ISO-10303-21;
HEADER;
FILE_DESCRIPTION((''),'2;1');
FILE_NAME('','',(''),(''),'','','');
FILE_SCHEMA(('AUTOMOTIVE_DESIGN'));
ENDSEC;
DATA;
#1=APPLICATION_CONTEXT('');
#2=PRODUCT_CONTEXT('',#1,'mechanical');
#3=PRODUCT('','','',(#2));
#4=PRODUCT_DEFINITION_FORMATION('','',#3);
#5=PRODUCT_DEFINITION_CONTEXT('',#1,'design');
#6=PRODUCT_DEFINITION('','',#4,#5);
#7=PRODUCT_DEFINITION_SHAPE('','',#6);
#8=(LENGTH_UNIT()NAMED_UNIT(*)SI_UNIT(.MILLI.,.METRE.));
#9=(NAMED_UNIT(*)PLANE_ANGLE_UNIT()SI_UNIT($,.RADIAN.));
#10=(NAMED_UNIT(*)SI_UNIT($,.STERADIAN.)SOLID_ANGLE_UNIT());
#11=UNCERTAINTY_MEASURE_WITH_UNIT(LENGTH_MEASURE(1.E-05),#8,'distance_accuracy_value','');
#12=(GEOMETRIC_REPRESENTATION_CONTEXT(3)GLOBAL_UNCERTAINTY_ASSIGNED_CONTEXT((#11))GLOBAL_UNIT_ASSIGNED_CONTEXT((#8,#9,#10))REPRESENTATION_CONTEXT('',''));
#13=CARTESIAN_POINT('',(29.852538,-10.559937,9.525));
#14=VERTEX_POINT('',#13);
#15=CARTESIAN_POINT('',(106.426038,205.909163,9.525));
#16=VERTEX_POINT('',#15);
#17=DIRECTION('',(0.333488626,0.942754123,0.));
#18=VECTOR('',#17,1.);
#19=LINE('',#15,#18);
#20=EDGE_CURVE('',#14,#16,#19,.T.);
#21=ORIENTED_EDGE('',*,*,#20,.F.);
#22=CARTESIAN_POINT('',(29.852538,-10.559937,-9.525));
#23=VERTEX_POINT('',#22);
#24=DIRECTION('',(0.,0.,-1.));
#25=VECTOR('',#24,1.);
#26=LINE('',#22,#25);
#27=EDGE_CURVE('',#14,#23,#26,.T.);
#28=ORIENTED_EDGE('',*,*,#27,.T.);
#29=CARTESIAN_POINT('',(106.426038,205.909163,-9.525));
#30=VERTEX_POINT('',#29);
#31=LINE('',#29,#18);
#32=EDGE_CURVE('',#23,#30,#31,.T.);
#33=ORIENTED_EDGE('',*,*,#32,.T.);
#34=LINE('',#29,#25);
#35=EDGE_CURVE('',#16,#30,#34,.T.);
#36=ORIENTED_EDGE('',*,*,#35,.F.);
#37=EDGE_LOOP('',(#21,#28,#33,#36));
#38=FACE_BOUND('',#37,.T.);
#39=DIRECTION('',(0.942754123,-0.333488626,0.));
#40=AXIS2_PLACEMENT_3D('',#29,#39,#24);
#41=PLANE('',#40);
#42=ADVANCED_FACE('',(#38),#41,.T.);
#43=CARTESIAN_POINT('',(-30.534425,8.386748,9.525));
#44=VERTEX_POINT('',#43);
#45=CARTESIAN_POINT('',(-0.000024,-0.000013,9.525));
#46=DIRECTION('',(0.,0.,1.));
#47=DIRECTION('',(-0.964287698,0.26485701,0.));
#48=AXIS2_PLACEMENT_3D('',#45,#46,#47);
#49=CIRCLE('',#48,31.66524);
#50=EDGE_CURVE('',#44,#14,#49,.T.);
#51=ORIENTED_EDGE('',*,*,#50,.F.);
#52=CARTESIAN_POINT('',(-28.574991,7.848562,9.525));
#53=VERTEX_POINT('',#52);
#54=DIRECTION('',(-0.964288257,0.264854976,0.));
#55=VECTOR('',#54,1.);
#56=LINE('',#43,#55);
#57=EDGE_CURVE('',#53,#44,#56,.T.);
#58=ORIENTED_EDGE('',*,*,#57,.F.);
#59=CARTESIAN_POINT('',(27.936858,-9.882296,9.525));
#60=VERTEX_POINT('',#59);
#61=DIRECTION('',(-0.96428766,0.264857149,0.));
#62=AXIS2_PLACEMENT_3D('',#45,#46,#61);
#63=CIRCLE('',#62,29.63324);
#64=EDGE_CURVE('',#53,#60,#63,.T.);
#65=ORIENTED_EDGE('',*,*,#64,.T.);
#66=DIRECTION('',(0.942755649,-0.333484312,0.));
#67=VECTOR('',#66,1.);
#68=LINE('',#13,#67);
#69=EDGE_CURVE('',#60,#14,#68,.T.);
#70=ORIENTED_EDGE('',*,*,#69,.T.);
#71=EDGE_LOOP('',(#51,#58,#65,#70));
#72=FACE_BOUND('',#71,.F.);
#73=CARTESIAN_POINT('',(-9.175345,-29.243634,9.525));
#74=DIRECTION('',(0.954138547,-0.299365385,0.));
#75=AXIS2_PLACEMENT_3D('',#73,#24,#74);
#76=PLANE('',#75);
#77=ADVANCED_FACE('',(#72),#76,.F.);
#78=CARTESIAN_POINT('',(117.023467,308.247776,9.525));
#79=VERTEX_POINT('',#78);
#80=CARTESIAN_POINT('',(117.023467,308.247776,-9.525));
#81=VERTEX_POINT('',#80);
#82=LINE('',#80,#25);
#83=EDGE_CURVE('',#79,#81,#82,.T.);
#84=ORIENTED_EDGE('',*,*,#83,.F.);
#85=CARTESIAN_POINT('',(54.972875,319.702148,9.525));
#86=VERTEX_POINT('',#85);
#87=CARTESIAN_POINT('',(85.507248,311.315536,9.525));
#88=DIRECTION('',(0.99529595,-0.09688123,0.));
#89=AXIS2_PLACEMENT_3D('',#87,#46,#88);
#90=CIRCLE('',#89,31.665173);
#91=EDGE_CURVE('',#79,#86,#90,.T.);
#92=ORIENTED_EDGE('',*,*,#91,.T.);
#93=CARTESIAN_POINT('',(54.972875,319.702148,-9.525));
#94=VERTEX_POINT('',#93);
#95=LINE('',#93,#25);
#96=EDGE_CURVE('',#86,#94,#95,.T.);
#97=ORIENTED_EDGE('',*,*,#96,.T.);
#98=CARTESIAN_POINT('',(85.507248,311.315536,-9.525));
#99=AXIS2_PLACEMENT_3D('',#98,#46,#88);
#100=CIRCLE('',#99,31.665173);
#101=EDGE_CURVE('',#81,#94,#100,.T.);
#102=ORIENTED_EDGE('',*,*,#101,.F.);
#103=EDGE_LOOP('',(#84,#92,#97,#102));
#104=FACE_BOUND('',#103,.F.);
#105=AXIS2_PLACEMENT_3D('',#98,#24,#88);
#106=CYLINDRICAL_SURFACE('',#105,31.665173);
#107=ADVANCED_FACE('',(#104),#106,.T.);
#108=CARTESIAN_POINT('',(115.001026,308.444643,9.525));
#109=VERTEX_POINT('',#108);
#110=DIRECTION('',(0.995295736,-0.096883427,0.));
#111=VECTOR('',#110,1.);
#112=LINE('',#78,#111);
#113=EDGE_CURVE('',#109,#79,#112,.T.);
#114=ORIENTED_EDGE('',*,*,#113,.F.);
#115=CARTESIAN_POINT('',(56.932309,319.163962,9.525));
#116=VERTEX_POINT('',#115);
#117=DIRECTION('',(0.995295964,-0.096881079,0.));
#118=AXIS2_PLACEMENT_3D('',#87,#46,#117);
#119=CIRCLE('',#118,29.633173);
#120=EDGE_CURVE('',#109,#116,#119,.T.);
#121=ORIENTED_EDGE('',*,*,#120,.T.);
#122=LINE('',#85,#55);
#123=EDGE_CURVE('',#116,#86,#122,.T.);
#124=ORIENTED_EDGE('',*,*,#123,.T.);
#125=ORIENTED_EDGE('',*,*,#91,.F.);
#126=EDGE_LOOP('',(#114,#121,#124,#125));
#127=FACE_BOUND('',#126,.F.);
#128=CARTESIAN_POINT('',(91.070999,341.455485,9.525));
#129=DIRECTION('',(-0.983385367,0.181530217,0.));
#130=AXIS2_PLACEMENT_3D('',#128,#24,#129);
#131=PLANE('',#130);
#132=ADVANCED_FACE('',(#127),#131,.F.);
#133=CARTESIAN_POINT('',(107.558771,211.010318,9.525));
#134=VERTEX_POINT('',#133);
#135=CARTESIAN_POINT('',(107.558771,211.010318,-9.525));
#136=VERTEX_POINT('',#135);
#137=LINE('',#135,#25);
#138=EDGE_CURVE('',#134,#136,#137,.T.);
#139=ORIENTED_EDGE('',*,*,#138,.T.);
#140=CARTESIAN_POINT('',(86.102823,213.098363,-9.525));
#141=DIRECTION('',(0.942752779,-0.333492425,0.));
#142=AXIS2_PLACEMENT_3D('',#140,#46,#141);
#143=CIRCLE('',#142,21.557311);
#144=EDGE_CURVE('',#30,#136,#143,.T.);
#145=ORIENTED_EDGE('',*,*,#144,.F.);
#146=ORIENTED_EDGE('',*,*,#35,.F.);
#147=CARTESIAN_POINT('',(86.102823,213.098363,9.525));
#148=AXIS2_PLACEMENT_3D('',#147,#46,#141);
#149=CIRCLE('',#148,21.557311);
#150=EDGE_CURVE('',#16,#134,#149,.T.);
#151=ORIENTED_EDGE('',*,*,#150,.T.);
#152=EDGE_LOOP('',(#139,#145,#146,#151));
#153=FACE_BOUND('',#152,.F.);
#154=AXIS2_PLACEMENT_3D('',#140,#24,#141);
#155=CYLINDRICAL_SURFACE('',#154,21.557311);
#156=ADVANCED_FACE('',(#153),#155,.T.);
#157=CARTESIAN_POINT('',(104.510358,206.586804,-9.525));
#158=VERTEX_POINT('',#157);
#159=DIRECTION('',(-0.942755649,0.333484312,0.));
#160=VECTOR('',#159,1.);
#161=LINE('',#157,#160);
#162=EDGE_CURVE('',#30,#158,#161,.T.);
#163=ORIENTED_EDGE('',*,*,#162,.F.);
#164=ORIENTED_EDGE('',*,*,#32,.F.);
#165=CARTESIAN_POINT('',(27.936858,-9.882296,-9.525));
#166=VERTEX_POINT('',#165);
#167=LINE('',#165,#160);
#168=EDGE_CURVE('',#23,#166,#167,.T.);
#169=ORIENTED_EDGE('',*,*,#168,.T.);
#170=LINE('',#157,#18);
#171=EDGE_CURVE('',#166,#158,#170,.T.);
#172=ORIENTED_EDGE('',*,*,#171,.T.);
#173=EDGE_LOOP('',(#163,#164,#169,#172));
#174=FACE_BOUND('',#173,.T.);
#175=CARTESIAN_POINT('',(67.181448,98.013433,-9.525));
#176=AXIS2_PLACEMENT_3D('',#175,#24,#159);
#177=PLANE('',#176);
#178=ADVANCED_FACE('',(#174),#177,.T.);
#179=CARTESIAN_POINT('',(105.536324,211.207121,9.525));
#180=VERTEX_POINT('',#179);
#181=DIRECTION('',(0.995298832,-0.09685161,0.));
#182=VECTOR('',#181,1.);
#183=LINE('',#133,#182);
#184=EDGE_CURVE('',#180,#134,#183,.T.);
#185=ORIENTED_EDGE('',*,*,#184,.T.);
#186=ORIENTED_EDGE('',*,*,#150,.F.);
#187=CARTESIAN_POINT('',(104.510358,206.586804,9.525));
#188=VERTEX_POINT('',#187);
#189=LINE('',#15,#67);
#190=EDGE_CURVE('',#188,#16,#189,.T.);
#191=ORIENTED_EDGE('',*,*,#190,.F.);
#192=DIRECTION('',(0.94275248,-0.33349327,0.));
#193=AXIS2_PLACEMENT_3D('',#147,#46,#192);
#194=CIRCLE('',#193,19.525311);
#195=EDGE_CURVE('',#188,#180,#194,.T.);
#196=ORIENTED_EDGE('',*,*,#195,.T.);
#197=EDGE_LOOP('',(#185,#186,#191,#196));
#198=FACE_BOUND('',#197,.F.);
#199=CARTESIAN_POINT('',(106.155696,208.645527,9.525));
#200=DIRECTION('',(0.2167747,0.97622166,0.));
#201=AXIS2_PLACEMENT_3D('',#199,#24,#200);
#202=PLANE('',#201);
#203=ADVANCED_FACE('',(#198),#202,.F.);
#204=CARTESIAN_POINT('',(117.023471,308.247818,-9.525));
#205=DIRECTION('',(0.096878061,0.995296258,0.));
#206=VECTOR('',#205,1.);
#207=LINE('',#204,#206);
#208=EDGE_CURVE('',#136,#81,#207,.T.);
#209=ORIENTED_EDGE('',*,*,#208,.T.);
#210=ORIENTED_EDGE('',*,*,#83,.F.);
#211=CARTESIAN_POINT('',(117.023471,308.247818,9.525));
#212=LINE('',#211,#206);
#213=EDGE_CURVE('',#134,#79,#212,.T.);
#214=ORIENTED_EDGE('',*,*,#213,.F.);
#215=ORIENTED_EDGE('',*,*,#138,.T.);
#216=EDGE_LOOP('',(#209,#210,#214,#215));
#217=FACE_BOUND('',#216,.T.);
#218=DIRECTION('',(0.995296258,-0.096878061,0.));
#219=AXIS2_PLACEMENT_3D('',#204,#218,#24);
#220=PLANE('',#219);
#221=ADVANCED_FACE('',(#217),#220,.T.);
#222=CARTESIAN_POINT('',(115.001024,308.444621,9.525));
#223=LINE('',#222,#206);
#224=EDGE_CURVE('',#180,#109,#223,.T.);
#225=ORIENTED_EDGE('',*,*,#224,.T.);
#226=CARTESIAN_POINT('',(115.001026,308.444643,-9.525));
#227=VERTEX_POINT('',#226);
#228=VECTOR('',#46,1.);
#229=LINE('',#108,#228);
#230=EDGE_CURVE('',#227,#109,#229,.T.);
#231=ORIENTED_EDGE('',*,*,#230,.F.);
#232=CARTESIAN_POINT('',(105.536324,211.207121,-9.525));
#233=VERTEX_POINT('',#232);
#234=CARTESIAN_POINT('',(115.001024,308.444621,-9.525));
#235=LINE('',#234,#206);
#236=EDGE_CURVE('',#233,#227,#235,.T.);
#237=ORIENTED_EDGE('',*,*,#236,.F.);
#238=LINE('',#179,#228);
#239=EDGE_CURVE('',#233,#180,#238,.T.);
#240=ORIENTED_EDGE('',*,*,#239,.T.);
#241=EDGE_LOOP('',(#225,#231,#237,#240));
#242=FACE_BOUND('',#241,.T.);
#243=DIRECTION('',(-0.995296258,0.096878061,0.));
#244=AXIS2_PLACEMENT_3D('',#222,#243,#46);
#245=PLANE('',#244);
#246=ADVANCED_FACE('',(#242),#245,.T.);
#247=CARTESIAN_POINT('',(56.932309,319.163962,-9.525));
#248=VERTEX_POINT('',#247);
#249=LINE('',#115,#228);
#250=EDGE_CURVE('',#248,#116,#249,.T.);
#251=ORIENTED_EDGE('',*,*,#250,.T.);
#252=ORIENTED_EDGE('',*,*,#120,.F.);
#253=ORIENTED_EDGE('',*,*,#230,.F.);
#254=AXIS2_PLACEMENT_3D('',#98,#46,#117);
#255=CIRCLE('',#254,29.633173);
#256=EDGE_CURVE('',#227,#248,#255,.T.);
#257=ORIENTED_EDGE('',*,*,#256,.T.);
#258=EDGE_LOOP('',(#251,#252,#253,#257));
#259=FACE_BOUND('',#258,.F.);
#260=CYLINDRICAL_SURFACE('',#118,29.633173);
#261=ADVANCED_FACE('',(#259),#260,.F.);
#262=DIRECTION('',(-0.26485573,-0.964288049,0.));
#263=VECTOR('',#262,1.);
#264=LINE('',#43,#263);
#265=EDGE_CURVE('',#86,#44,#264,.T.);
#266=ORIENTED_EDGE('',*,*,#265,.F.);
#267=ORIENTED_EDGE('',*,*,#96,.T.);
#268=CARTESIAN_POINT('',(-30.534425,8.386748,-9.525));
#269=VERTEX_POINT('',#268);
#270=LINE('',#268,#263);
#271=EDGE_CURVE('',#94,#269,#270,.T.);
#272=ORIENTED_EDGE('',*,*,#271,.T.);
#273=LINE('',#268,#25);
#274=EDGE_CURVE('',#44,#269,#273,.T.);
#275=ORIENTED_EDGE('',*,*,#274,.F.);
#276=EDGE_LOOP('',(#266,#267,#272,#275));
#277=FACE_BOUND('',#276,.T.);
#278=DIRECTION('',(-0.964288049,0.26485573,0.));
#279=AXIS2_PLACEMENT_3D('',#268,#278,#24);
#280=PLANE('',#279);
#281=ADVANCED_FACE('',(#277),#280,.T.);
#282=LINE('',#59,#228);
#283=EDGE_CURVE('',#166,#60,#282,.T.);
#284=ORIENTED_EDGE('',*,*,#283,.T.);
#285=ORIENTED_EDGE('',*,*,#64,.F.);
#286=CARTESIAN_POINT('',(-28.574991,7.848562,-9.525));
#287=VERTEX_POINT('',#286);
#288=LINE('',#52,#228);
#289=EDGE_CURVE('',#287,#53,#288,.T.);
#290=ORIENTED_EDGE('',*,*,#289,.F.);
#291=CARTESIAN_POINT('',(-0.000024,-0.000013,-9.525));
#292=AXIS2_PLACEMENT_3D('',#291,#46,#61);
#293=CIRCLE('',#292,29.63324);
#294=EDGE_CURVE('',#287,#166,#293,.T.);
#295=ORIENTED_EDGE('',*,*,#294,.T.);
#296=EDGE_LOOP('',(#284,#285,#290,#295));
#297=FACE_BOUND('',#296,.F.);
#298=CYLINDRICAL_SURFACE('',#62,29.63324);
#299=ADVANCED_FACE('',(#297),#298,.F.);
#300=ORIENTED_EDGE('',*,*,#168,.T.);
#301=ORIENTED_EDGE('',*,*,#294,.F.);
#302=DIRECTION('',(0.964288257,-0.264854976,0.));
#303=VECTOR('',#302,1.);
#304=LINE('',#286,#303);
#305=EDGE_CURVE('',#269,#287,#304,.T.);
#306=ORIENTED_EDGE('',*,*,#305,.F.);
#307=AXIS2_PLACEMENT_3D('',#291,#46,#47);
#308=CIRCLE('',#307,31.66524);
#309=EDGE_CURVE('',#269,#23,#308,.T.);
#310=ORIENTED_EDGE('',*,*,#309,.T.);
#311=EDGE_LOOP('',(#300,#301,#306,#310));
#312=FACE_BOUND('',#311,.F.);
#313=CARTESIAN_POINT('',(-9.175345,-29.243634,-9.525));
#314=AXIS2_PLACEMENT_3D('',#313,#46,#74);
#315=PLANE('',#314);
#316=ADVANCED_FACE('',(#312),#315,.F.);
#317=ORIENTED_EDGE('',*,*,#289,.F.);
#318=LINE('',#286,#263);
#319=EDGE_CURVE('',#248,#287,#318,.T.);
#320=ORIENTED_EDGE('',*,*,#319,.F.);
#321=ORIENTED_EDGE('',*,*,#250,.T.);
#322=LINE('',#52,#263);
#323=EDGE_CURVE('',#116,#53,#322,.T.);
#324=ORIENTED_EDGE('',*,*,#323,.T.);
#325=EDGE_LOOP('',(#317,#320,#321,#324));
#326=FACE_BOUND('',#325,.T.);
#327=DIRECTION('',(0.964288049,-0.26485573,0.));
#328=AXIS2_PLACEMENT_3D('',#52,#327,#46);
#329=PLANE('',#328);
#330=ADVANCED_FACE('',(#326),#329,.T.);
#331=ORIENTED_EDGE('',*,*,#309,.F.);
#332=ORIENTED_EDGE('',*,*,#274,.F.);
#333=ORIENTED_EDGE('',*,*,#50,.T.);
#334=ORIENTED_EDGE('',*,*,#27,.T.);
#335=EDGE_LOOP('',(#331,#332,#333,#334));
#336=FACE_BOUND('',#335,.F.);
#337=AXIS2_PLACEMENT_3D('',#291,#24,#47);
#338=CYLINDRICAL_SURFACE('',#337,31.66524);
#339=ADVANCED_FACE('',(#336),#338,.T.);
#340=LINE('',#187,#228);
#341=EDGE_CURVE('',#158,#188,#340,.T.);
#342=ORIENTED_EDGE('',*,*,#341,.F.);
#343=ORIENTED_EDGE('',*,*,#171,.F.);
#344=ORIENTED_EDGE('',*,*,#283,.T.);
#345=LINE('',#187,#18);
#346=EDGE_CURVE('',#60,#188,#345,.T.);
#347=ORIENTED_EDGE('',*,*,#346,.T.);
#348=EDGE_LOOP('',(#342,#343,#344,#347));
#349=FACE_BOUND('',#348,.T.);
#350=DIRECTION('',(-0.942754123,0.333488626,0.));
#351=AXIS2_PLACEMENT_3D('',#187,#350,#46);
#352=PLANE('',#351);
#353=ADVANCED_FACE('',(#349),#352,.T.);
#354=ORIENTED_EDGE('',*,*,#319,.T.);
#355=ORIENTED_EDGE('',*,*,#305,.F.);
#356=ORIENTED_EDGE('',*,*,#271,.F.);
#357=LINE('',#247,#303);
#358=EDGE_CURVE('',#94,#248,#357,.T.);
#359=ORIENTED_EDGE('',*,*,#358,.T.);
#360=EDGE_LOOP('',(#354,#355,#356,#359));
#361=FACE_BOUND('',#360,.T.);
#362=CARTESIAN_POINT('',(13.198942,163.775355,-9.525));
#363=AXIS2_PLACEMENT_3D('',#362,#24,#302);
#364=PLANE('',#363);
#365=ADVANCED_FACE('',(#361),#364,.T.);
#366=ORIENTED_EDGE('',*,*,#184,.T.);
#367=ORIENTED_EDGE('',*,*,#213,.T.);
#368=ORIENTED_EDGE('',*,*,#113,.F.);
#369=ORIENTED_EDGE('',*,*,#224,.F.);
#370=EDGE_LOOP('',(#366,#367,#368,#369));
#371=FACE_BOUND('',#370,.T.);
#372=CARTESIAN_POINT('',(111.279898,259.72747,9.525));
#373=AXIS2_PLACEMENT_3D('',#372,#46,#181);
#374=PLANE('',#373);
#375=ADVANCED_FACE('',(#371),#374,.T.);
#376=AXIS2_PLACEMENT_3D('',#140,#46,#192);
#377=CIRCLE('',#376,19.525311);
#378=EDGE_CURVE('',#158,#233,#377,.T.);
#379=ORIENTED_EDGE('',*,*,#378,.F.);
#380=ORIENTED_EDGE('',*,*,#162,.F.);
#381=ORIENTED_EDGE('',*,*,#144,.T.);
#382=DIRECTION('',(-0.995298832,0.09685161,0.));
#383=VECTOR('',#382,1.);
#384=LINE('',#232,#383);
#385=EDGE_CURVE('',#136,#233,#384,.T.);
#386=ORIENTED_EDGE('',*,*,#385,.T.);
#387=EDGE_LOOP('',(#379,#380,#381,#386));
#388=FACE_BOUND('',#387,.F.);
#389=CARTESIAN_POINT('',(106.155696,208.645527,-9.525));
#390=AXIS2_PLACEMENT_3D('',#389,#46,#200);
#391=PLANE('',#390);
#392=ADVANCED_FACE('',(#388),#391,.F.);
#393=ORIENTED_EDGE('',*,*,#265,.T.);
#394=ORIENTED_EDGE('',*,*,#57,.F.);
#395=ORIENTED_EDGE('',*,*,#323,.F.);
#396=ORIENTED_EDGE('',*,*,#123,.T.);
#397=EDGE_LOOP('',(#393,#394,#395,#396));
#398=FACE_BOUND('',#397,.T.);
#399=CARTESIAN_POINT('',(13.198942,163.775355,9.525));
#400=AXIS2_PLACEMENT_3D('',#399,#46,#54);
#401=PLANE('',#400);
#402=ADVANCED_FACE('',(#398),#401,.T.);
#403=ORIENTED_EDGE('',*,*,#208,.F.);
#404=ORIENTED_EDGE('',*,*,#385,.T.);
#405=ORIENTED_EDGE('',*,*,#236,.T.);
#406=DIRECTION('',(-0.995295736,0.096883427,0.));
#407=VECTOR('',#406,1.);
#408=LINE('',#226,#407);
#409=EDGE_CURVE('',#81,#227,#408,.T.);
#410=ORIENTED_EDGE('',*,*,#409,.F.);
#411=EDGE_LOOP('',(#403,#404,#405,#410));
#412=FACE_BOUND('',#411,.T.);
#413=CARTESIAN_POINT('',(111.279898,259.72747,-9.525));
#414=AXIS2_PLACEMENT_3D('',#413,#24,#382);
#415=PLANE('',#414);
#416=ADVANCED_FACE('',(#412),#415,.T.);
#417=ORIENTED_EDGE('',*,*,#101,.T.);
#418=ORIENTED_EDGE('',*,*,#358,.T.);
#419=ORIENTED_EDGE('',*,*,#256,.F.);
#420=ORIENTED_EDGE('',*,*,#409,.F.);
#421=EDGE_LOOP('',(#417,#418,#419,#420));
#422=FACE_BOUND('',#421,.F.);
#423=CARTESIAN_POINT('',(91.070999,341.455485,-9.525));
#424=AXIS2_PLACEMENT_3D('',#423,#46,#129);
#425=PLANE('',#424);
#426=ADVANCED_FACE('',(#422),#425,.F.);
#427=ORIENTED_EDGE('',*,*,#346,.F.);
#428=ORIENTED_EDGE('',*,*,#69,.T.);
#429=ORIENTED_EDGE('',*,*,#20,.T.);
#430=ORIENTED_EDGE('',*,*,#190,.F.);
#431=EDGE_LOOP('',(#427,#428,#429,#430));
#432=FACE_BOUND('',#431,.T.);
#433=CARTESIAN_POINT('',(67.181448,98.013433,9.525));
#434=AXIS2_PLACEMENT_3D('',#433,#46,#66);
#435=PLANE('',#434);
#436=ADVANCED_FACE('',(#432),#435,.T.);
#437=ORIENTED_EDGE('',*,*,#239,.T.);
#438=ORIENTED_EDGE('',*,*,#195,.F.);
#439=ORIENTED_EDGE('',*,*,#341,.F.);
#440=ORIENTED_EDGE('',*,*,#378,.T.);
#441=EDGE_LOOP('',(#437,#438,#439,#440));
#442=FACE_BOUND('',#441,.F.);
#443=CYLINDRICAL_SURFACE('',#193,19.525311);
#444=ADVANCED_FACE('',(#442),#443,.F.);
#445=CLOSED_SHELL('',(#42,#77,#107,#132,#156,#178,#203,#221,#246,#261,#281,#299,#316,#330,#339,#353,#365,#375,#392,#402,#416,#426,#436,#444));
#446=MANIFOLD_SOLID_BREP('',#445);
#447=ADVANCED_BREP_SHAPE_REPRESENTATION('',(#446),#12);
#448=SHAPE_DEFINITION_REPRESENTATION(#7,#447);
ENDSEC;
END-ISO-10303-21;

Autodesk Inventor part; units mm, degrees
sketch "草图路径" plane through (0, 0, 0) normal (0, 0, 1) x (1, 0, 0)
  arc A0 (-29.2363, 8.0302) -> (28.5834, -10.111) centre (0, 0) ccw
  arc A1 (115.6836, 308.3782) -> (56.271, 319.3456) centre (85.5072, 311.3155) ccw
  arc A2 (105.1569, 206.3581) -> (106.2189, 211.1407) centre (86.1013, 213.0988) ccw
  line L0 (105.1569, 206.3581) -> (28.5834, -10.111)
  line L1 (-29.2363, 8.0302) -> (56.271, 319.3456)
  line L2 (115.6836, 308.3782) -> (106.2189, 211.1407)
ref_plane "截面平面" through (28.5834, -10.111, 0) normal (0.3335, 0.9428, 0) x (0, 0, 1)
ref_plane "工作平面2" through (0, 0, 0) normal (-1, 0, 0) x (0, 0, 1)
ref_plane "工作平面3" through (85.5072, 311.3155, 0) normal (-0.5284, -0.849, 0) x (0, 0, 1)
ref_plane "工作平面4" through (86.1013, 213.0988, 0) normal (0.6175, 0.7866, 0) x (0, 0, 1)
sketch "截面" plane through (28.5834, -10.111, 0) normal (0.3335, 0.9428, 0) x (0, 0, 1)
  line L0 (-9.525, 1.3462) -> (9.525, 1.3462)
  line L1 (9.525, 1.3462) -> (9.525, -0.6858)
  line L2 (9.525, -0.6858) -> (-9.525, -0.6858)
  line L3 (-9.525, -0.6858) -> (-9.525, 1.3462)
  line L4 (-9.525, 0) -> (9.525, 0) construction
  point P0 (0, 0)
  point P1 (0, 0)
  dimension "d0" = 19.05
  dimension "d4" = 0.6858
  dimension "d5" = 1.3462
sweep "皮带" add profiles "截面" path "草图路径"
equation "\"d0\" = da_B"
equation "\"d4\" = da_a"
equation "\"d5\" = da_a2"
equation "\"da_B\" = 19.05"
equation "\"da_pb\" = 12.7"
equation "\"da_L\" = 838.2"
equation "\"da_a\" = 0.6858"
equation "\"da_S\" = 6.1214"
equation "\"da_Beta\" = 20deg"
equation "\"da_Ht\" = 2.286"
equation "\"da_H\" = 4.318"
equation "\"da_a2\" = 1.3462"
properties part number "同步皮带" material "Rubber"
